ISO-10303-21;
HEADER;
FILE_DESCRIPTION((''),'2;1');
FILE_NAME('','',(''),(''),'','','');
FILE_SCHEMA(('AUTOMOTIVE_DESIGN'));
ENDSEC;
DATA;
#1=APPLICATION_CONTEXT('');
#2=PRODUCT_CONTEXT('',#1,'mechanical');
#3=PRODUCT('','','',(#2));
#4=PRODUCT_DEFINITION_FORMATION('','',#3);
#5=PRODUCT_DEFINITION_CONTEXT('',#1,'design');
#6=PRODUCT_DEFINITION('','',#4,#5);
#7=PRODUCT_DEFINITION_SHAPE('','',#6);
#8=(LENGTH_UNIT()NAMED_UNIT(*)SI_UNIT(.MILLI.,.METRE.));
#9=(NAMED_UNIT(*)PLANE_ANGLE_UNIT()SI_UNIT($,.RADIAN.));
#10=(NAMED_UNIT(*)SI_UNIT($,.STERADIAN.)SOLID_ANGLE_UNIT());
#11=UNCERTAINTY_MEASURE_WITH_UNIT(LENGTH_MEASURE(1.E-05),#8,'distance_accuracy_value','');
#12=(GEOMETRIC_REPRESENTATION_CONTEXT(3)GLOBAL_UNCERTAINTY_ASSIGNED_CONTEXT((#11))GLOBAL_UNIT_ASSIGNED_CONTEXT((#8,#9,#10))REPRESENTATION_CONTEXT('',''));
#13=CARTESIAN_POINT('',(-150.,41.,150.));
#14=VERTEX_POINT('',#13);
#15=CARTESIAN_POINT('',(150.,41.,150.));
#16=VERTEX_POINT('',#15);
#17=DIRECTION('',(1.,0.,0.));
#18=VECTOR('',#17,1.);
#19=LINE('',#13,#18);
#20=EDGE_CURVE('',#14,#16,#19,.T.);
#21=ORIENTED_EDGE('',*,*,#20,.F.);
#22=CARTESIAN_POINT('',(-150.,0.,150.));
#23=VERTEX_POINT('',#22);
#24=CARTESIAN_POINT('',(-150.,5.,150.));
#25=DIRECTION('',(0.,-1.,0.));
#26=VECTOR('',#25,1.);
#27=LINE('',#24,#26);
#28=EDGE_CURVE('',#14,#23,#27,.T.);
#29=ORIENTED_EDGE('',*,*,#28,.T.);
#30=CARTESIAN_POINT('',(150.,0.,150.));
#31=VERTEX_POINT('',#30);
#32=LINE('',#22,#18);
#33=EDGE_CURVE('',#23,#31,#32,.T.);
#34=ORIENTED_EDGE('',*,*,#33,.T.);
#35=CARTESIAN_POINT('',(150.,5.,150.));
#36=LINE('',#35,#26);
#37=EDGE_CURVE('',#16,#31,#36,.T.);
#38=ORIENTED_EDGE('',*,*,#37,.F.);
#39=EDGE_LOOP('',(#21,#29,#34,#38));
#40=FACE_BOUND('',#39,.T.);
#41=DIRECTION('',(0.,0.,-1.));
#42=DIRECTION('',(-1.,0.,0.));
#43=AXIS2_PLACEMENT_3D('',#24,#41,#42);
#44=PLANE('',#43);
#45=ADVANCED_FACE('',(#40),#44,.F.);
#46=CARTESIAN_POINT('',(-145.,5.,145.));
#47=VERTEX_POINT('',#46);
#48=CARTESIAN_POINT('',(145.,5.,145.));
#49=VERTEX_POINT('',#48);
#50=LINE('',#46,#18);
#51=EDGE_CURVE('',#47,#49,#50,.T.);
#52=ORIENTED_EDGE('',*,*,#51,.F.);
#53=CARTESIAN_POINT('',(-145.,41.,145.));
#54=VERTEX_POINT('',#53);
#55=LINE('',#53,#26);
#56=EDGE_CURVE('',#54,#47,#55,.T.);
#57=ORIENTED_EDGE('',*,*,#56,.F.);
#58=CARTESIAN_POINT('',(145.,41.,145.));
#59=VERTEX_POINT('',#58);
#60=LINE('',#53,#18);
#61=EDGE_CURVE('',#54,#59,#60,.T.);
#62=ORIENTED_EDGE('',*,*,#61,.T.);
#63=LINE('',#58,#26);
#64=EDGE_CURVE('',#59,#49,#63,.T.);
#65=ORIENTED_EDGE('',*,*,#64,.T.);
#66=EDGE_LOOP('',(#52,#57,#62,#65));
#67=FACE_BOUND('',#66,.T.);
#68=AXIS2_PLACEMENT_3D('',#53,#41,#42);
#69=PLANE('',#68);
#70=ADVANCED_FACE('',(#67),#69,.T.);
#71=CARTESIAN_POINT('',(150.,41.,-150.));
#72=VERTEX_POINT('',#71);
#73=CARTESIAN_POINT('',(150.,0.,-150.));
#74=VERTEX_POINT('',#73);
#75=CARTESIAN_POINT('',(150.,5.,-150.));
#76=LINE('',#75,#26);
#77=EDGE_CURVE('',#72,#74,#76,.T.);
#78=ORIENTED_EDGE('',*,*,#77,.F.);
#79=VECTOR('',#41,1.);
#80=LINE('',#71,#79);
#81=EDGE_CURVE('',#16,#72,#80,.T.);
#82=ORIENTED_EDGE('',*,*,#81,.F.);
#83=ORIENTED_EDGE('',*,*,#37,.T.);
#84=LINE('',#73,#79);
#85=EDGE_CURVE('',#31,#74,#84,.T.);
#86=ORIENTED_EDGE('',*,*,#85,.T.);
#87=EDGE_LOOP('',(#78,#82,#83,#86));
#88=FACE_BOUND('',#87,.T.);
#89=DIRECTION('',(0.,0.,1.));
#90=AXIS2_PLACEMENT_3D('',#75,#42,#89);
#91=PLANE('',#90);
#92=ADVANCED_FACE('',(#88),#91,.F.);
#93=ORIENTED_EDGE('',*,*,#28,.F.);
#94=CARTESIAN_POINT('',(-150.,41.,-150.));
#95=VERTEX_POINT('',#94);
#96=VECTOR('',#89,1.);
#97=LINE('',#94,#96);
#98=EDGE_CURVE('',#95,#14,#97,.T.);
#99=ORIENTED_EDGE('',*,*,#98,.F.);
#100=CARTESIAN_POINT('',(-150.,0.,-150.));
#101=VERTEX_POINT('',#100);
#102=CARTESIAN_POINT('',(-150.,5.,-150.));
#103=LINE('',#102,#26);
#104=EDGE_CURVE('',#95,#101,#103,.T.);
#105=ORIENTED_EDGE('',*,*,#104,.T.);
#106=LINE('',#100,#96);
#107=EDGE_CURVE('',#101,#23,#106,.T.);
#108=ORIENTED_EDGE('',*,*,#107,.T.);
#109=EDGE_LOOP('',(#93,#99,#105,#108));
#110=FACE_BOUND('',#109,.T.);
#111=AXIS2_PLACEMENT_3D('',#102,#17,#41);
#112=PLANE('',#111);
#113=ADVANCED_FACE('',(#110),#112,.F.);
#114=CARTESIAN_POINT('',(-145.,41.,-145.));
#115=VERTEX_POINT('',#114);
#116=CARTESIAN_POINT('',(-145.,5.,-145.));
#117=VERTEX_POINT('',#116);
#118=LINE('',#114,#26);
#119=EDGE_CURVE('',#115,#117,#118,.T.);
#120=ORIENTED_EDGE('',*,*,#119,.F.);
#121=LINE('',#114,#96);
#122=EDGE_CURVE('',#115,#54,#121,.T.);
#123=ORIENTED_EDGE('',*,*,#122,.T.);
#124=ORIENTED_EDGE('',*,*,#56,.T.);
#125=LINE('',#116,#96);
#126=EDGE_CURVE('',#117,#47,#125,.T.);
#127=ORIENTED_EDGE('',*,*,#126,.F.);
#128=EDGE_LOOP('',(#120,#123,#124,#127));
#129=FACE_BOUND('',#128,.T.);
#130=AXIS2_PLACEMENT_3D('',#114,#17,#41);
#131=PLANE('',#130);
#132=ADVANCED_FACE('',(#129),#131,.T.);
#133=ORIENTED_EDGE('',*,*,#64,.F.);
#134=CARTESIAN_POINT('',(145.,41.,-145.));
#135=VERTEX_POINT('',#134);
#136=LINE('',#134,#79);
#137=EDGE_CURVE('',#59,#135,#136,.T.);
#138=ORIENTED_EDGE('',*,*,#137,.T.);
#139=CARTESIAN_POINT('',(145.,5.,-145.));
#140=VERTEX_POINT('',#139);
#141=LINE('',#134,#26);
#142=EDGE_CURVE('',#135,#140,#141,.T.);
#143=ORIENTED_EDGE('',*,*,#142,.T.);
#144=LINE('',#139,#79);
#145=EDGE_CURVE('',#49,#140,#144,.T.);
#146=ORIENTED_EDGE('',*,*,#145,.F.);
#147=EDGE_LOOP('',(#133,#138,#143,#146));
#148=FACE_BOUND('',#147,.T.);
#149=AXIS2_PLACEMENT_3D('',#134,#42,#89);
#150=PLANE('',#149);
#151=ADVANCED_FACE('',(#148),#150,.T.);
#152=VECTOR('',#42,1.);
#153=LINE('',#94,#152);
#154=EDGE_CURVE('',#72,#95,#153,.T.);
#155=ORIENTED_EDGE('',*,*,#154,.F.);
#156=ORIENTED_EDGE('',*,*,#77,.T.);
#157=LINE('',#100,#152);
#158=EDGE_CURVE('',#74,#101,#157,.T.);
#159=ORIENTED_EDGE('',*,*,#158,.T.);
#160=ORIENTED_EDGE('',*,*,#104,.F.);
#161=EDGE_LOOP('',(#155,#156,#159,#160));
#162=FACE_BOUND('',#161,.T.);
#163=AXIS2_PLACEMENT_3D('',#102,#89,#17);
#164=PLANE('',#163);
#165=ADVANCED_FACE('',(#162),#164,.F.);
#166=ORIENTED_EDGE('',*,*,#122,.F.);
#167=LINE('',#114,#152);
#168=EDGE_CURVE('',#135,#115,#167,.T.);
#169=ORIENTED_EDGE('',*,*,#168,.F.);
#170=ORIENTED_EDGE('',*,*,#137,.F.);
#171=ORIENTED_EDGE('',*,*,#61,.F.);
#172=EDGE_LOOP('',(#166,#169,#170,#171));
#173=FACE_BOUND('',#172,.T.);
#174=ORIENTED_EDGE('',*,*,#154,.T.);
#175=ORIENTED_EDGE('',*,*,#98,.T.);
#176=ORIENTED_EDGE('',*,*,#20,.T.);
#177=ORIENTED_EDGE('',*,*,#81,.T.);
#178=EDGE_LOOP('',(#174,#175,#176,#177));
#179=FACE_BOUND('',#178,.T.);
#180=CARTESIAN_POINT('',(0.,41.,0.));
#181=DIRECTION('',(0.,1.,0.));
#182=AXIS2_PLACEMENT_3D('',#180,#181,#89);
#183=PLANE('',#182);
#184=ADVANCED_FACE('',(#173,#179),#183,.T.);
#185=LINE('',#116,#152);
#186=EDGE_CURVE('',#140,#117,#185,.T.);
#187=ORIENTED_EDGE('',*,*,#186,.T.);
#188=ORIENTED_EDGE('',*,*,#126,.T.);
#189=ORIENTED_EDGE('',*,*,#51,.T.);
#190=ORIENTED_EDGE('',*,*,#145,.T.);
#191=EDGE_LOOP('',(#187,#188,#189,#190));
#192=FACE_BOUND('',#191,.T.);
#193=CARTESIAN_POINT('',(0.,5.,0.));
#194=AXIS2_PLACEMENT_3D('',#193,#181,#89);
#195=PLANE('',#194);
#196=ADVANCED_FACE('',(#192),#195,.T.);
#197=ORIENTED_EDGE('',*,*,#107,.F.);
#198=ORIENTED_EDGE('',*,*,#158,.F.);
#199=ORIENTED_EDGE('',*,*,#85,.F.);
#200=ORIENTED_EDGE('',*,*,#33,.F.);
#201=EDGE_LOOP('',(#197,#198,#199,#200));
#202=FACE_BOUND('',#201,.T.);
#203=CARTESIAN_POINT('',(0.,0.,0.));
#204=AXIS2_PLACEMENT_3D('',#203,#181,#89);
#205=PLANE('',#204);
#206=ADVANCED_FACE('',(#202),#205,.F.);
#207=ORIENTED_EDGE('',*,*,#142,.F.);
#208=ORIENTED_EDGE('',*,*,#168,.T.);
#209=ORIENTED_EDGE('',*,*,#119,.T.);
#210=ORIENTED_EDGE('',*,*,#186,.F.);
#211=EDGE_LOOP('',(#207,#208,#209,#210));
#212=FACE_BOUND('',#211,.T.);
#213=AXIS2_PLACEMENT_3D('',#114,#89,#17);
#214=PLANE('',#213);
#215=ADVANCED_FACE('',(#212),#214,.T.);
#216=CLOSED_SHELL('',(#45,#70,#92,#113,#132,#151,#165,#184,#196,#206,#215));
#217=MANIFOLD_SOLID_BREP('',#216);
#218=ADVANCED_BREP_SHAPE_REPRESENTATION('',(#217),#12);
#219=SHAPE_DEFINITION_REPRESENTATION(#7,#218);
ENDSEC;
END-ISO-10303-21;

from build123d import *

# Parameters (mm, degrees)
SKETCH1_W           = 300
SKETCH1_H           = 300
BOSS_EXTRUDE1_DEPTH = 5
SKETCH2_W           = 300
SKETCH2_H           = 300
SKETCH2_W_2         = 290
SKETCH2_H_2         = 290
BOSS_EXTRUDE2_DEPTH = 36


with BuildPart() as part:
    # Sketch1 → Boss-Extrude1 (new body)
    with BuildSketch(Plane(origin=(0, 0, 0), x_dir=(1, 0, 0), z_dir=(0, 1, 0))):
        Rectangle(SKETCH1_W, SKETCH1_H)
    extrude(amount=BOSS_EXTRUDE1_DEPTH)

    # Sketch2 → Boss-Extrude2 (add)
    with BuildSketch(Plane(origin=(0, 5, 0), x_dir=(1, 0, 0), z_dir=(0, 1, 0))):
        Rectangle(SKETCH2_W, SKETCH2_H)
        Rectangle(SKETCH2_W_2, SKETCH2_H_2, mode=Mode.SUBTRACT)
    extrude(amount=BOSS_EXTRUDE2_DEPTH)


solid = part.part
